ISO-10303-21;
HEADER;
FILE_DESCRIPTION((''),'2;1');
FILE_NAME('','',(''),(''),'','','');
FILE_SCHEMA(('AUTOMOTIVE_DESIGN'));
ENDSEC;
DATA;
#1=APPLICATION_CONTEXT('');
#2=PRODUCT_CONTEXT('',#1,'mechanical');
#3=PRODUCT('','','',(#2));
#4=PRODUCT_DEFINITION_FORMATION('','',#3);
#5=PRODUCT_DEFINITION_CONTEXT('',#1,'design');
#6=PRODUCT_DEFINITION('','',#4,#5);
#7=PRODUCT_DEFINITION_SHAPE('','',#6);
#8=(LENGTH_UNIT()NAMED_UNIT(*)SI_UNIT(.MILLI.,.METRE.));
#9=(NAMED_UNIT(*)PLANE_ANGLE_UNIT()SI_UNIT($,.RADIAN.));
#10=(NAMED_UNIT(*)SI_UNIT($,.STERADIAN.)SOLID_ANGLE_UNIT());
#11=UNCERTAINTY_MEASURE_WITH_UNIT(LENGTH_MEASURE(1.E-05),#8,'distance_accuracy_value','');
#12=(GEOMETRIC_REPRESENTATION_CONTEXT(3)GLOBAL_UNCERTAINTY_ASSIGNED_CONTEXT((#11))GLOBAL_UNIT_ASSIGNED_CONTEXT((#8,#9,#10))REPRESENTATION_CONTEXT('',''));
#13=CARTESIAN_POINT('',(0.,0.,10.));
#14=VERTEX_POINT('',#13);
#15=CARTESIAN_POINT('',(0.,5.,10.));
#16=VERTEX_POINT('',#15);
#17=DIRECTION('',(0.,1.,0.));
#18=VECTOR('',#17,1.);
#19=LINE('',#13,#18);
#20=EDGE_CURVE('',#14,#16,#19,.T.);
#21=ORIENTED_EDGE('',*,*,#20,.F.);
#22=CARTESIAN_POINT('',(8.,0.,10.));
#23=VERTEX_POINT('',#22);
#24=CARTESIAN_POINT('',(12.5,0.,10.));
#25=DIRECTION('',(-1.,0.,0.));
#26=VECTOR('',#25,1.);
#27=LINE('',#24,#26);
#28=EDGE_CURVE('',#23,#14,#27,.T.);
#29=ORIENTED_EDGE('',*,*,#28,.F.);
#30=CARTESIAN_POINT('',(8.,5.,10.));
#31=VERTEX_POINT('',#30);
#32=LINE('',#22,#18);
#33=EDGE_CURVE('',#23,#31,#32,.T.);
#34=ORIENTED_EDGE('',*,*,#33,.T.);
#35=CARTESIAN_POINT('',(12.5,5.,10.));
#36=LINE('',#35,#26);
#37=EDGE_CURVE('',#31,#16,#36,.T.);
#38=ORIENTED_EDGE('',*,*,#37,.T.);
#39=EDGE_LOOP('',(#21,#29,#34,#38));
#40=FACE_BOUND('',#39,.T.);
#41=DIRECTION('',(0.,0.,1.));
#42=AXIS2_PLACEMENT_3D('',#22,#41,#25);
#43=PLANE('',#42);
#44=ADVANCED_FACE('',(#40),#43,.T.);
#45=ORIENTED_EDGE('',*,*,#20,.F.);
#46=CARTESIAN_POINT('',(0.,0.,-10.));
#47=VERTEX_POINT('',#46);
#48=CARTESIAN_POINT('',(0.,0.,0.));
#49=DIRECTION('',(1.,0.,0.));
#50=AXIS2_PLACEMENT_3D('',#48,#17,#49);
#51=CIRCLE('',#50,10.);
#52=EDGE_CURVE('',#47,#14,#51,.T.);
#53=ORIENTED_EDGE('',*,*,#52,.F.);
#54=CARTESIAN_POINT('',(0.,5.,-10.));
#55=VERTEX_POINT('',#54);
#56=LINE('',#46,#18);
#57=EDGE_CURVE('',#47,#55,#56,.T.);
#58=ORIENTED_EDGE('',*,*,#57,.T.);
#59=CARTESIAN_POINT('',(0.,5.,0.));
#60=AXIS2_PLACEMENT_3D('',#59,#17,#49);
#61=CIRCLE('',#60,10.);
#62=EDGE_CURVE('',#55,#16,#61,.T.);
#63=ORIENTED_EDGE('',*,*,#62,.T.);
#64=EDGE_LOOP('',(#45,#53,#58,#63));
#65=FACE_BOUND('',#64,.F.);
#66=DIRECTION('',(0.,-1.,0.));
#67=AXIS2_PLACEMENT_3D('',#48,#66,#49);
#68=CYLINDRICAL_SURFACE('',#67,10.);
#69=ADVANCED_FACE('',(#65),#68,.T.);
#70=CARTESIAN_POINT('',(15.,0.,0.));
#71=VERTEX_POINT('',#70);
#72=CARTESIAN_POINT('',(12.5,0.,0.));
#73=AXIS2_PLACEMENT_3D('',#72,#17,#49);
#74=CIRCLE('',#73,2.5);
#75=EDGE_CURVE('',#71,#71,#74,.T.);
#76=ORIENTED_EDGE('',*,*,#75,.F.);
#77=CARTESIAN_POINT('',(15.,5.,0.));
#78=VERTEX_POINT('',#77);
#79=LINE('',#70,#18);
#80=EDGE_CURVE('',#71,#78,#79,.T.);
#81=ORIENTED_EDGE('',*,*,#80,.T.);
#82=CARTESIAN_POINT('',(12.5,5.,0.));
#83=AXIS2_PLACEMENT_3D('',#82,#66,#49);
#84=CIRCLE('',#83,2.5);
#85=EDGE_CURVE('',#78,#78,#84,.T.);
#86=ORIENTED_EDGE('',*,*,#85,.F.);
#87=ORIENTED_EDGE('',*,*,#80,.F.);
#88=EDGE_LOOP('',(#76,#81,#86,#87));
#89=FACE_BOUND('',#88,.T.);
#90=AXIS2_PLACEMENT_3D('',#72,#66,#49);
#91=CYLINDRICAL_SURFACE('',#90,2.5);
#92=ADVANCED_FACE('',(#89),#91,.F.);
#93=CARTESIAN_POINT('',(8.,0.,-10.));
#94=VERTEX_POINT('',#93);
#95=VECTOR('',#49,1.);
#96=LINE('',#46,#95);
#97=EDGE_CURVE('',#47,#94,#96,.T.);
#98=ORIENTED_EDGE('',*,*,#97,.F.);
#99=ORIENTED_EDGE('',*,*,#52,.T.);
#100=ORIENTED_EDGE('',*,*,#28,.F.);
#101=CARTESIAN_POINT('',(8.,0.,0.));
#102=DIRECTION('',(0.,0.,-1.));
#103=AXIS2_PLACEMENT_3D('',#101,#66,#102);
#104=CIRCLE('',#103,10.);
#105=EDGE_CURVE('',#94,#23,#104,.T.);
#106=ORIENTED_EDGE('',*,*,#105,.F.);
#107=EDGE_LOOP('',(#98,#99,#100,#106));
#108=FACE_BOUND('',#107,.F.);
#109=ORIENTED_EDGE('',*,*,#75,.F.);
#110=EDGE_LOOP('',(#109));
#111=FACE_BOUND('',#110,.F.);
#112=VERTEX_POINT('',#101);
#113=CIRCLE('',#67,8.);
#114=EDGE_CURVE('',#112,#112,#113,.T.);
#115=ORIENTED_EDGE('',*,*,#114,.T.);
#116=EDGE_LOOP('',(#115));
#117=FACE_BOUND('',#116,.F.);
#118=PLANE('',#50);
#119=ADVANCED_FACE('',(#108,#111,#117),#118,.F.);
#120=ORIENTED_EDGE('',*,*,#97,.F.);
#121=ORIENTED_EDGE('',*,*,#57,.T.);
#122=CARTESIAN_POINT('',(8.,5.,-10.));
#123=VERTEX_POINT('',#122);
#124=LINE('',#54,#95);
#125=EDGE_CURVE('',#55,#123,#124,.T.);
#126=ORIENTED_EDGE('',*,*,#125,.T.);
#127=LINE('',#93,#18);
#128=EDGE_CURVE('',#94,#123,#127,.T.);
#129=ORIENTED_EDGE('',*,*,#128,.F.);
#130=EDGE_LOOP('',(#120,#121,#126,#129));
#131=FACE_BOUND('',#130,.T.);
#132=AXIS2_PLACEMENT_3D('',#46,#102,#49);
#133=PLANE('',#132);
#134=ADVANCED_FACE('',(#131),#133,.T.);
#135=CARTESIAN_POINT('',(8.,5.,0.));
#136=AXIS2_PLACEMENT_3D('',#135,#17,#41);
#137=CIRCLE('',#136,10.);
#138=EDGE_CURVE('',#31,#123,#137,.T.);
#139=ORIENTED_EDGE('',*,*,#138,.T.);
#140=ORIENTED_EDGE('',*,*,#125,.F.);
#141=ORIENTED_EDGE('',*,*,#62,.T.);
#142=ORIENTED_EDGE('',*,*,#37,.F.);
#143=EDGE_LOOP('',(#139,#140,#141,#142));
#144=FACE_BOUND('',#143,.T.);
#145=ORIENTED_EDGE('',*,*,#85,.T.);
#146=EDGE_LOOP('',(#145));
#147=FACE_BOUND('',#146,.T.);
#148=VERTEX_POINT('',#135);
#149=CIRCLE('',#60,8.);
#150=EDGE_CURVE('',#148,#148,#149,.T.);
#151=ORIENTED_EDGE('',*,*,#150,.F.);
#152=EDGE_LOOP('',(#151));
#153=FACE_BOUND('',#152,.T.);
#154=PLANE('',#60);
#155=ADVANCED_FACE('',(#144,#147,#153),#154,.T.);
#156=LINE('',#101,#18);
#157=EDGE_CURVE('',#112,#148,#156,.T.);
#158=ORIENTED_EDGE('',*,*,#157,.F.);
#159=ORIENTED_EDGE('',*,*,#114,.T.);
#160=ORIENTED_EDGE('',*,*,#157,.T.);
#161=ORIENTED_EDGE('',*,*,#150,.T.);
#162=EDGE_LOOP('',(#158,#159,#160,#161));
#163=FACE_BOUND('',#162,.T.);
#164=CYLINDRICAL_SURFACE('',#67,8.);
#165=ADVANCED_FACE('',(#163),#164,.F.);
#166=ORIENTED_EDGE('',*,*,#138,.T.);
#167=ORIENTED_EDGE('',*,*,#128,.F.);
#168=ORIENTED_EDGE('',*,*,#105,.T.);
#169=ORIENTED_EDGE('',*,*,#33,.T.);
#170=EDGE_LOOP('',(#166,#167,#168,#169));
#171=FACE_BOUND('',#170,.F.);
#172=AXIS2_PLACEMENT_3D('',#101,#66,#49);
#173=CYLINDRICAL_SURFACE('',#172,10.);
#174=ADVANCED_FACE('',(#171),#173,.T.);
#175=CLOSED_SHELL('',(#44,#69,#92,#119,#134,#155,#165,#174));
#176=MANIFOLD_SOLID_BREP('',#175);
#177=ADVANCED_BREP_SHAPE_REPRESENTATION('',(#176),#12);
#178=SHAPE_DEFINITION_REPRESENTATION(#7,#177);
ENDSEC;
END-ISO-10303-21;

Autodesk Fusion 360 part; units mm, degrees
sketch "Boceto1" plane through (0, 0, 0) normal (0, 1, 0) x (1, 0, 0)
  circle A0 centre (0, 0) radius 10
  circle A1 centre (0, 0) radius 2.5
  circle A2 centre (0, 0) radius 8
  line L0 (0, 0) -> (12.5, 0)
  circle A3 centre (12.5, 0) radius 2.5
  line L1 (12.5, -10) -> (0, -10)
  line L2 (0, 10) -> (12.5, 10)
  circle A4 centre (8, 0) radius 10
  dimension "d1" = 5
  dimension "d5" = 16
  dimension "d7" = 12.5
extrude "Extruir1" add sketch "Boceto1" along normal blind 5 contours A0 A2 A4 | A0 L2 A4 | A0 L1 A4 | A0 A4 | A0 A2 L0 A4 | A0 A2 L0 A4
ref_plane "PlanoDeObra1" through (-10, 2.3987, 0) normal (-1, 0, 0) x (0, 0, -1)
ref_plane "PlanoDeObra2" through (18, 2.3524, 0) normal (1, 0, 0) x (0, 0, 1)
sketch "Boceto2" plane through (0, 0, 0) normal (0, -1, 0) x (1, 0, 0)
  circle A0 centre (0, 0) radius 8
  circle A1 centre (12.5, 0) radius 2.5
  arc A2 (0, 10) -> (0, -10) centre (0, 0) ccw
  line L0 (0, -10) -> (8, -10)
  arc A3 (8, -10) -> (8, 10) centre (8, 0) ccw
  line L1 (8, 10) -> (0, 10)
  circle A4 centre (12.5, 0) radius 2.5
  dimension "d11" = 5
